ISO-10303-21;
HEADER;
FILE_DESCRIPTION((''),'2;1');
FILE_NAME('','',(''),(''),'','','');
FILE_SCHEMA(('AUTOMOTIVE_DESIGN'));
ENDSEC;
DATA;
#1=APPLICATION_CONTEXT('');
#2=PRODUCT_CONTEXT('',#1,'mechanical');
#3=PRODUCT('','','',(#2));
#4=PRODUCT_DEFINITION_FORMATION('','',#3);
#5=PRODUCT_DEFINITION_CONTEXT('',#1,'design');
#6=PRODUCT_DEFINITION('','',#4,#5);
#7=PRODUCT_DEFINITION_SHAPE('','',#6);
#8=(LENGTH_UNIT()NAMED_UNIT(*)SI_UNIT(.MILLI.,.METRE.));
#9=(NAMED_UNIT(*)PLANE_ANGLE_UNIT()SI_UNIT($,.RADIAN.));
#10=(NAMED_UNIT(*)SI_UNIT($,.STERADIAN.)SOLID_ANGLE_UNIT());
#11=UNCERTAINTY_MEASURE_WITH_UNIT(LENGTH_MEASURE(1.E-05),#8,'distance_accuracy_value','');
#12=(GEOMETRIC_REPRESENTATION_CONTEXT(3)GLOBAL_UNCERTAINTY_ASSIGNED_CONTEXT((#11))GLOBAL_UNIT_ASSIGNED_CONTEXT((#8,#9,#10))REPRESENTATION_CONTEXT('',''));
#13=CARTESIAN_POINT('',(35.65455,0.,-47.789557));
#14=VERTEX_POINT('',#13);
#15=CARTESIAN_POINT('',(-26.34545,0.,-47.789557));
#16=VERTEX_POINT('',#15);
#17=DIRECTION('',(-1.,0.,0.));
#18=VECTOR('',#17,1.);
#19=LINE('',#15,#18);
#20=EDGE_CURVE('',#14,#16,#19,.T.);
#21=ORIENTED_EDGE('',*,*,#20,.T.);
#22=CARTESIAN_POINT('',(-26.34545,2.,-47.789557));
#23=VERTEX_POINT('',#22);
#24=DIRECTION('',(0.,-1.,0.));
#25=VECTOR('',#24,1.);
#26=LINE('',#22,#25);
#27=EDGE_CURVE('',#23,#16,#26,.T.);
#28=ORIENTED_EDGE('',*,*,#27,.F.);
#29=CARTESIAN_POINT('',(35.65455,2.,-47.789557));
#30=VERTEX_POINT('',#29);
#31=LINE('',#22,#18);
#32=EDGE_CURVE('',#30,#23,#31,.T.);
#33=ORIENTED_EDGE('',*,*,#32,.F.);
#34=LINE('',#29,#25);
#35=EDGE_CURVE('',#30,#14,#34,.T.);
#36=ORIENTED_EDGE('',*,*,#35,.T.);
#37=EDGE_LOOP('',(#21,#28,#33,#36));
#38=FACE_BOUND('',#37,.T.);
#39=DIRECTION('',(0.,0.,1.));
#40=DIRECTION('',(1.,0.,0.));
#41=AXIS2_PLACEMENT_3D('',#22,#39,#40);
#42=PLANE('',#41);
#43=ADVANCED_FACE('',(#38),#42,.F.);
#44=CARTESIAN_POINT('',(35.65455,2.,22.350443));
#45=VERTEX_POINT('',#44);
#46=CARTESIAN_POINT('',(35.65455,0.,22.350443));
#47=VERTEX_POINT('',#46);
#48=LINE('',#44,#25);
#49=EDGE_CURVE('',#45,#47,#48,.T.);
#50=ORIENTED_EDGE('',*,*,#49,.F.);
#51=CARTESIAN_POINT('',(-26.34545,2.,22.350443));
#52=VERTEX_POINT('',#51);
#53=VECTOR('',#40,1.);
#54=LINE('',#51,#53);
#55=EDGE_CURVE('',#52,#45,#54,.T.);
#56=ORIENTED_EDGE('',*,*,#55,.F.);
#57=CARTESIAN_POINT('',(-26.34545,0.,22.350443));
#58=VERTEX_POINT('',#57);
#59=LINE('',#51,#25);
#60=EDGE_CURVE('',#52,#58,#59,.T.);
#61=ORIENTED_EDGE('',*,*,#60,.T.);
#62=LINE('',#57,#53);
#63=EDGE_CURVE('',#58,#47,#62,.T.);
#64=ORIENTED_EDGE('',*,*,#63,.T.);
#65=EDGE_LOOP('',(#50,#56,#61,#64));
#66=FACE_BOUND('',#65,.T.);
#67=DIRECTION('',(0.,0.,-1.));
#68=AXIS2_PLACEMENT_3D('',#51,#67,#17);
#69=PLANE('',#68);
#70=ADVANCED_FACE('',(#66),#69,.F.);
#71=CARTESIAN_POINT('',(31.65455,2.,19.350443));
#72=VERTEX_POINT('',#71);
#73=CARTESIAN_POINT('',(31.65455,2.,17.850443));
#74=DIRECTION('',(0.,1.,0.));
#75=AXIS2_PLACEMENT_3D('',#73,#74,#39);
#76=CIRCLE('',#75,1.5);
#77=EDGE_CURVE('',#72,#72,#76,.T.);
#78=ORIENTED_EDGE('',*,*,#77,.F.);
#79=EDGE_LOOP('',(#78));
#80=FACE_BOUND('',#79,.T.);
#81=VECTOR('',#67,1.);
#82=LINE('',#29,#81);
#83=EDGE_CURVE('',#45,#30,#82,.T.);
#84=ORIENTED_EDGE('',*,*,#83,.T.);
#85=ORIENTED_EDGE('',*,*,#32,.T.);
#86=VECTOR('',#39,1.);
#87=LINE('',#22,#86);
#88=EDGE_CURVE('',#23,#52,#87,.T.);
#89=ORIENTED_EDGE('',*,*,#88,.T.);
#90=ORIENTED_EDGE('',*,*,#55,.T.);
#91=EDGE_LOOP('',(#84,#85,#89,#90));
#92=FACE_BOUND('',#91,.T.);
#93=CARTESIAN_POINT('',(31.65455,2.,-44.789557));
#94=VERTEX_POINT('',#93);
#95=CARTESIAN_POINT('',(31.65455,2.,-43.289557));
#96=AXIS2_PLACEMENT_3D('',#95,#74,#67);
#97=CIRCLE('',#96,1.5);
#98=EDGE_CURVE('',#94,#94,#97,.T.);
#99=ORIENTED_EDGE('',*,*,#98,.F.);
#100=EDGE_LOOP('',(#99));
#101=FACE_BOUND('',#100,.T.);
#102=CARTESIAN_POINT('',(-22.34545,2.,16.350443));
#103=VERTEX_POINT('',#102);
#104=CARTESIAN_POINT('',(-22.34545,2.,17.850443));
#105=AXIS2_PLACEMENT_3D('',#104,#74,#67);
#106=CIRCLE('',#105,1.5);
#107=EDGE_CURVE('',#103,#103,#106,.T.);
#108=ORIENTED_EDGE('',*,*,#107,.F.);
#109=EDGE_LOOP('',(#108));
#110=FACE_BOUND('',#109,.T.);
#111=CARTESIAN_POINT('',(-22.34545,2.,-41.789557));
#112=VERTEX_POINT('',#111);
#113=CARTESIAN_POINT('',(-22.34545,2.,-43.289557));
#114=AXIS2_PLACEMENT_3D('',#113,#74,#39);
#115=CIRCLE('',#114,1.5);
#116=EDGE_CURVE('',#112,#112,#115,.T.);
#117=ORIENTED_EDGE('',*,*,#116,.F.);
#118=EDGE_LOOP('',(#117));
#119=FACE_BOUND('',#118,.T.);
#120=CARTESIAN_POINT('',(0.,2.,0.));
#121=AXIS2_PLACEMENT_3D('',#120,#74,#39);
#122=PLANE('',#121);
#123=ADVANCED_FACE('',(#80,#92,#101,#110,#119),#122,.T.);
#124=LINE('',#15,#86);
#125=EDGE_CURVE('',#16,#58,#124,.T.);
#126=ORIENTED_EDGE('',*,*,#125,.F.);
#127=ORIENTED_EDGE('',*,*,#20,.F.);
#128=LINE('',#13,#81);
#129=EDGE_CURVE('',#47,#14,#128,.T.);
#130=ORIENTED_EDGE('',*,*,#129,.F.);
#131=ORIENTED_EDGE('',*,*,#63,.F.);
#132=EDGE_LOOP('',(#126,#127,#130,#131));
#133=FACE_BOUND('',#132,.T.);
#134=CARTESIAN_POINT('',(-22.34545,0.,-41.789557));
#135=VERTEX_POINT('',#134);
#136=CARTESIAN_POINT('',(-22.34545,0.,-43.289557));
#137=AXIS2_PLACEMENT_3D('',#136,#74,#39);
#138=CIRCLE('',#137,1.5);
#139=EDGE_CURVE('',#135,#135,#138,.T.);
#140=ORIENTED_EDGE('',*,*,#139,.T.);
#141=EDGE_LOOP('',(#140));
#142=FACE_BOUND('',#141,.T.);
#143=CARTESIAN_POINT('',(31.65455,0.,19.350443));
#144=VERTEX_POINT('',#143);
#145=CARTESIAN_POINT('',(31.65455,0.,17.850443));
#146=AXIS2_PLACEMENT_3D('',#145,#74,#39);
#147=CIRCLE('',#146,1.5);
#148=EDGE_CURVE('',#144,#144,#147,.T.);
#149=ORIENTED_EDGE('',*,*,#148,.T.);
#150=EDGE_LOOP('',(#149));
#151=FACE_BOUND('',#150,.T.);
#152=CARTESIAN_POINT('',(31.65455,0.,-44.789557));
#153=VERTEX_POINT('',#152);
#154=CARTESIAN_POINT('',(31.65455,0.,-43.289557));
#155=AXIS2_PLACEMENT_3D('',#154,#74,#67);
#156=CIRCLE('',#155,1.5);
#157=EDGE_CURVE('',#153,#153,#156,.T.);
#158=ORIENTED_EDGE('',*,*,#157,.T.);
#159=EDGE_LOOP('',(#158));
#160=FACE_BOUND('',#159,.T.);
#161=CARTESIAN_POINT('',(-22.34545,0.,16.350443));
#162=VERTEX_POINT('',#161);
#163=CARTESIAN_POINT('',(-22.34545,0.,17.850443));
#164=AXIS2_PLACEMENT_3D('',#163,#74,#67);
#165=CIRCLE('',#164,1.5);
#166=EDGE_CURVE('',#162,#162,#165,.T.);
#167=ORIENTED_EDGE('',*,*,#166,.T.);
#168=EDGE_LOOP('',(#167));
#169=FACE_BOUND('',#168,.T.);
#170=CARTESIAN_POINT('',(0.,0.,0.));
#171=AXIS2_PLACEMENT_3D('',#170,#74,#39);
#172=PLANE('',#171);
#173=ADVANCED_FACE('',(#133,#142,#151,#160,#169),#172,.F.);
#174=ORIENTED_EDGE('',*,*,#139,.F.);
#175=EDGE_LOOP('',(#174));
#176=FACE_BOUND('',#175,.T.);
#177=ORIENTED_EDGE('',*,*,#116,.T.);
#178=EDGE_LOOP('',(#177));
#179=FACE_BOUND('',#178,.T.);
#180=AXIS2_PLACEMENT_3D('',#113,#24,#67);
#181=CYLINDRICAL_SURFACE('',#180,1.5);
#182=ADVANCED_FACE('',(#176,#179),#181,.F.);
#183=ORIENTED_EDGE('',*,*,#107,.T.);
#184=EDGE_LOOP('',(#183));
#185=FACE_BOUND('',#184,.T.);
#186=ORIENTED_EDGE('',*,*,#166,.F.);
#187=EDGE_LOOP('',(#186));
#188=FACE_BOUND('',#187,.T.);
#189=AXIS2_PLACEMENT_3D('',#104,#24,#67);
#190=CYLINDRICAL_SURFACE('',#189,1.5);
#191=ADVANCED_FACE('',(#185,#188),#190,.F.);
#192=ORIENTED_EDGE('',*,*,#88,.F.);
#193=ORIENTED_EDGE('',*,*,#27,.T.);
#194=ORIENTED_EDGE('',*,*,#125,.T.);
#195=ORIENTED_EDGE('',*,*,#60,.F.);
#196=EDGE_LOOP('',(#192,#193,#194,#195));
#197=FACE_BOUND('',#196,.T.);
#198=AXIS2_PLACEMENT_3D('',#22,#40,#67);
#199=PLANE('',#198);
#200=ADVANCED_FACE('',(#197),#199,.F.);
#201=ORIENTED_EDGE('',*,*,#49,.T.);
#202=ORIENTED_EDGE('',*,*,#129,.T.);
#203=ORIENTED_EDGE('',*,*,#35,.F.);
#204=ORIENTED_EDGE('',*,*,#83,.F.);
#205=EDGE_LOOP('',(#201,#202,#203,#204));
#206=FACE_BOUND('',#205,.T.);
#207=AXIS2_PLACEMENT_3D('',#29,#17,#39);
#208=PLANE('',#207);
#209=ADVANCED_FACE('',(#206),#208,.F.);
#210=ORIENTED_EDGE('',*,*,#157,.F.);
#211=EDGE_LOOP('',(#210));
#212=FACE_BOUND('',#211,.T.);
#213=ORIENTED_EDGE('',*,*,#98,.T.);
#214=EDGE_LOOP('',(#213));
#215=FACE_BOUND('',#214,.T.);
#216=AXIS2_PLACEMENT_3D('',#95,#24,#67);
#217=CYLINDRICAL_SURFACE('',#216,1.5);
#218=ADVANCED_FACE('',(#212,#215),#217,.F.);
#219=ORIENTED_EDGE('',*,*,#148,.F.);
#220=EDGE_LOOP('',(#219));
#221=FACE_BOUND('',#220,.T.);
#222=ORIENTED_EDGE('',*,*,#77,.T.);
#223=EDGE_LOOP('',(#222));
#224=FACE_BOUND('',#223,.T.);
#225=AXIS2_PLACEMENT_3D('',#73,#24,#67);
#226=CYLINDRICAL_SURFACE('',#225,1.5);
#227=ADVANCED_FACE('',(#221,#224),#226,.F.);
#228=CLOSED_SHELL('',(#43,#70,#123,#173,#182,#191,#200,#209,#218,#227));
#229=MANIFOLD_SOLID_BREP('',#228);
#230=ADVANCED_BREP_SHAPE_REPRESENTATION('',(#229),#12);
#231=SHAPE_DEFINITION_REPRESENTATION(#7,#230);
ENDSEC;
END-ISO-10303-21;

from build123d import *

# Parameters (mm, degrees)
SKETCH_1_W      = 62
SKETCH_1_H      = 70.14
SKETCH_1_R      = 1.5
EXTRUDE_1_DEPTH = 2


with BuildPart() as part:
    # Эскиз1 → Бобышка-Вытянуть1 (new body)
    with BuildSketch(Plane(origin=(0, 0, 0), x_dir=(1, 0, 0), z_dir=(0, 1, 0))):
        with Locations((4.654550133, 12.719556875)):
            Rectangle(SKETCH_1_W, SKETCH_1_H)
        with Locations(Location((-22.345449867, 43.289556875, 0), (0, 0, 270))):
            Circle(SKETCH_1_R, mode=Mode.SUBTRACT)
        with Locations(Location((31.654550133, 43.289556875, 0), (0, 0, 90))):
            Circle(SKETCH_1_R, mode=Mode.SUBTRACT)
        with Locations(Location((31.654550133, -17.850443125, 0), (0, 0, 270))):
            Circle(SKETCH_1_R, mode=Mode.SUBTRACT)
        with Locations(Location((-22.345449867, -17.850443125, 0), (0, 0, 90))):
            Circle(SKETCH_1_R, mode=Mode.SUBTRACT)
    extrude(amount=EXTRUDE_1_DEPTH)


solid = part.part
